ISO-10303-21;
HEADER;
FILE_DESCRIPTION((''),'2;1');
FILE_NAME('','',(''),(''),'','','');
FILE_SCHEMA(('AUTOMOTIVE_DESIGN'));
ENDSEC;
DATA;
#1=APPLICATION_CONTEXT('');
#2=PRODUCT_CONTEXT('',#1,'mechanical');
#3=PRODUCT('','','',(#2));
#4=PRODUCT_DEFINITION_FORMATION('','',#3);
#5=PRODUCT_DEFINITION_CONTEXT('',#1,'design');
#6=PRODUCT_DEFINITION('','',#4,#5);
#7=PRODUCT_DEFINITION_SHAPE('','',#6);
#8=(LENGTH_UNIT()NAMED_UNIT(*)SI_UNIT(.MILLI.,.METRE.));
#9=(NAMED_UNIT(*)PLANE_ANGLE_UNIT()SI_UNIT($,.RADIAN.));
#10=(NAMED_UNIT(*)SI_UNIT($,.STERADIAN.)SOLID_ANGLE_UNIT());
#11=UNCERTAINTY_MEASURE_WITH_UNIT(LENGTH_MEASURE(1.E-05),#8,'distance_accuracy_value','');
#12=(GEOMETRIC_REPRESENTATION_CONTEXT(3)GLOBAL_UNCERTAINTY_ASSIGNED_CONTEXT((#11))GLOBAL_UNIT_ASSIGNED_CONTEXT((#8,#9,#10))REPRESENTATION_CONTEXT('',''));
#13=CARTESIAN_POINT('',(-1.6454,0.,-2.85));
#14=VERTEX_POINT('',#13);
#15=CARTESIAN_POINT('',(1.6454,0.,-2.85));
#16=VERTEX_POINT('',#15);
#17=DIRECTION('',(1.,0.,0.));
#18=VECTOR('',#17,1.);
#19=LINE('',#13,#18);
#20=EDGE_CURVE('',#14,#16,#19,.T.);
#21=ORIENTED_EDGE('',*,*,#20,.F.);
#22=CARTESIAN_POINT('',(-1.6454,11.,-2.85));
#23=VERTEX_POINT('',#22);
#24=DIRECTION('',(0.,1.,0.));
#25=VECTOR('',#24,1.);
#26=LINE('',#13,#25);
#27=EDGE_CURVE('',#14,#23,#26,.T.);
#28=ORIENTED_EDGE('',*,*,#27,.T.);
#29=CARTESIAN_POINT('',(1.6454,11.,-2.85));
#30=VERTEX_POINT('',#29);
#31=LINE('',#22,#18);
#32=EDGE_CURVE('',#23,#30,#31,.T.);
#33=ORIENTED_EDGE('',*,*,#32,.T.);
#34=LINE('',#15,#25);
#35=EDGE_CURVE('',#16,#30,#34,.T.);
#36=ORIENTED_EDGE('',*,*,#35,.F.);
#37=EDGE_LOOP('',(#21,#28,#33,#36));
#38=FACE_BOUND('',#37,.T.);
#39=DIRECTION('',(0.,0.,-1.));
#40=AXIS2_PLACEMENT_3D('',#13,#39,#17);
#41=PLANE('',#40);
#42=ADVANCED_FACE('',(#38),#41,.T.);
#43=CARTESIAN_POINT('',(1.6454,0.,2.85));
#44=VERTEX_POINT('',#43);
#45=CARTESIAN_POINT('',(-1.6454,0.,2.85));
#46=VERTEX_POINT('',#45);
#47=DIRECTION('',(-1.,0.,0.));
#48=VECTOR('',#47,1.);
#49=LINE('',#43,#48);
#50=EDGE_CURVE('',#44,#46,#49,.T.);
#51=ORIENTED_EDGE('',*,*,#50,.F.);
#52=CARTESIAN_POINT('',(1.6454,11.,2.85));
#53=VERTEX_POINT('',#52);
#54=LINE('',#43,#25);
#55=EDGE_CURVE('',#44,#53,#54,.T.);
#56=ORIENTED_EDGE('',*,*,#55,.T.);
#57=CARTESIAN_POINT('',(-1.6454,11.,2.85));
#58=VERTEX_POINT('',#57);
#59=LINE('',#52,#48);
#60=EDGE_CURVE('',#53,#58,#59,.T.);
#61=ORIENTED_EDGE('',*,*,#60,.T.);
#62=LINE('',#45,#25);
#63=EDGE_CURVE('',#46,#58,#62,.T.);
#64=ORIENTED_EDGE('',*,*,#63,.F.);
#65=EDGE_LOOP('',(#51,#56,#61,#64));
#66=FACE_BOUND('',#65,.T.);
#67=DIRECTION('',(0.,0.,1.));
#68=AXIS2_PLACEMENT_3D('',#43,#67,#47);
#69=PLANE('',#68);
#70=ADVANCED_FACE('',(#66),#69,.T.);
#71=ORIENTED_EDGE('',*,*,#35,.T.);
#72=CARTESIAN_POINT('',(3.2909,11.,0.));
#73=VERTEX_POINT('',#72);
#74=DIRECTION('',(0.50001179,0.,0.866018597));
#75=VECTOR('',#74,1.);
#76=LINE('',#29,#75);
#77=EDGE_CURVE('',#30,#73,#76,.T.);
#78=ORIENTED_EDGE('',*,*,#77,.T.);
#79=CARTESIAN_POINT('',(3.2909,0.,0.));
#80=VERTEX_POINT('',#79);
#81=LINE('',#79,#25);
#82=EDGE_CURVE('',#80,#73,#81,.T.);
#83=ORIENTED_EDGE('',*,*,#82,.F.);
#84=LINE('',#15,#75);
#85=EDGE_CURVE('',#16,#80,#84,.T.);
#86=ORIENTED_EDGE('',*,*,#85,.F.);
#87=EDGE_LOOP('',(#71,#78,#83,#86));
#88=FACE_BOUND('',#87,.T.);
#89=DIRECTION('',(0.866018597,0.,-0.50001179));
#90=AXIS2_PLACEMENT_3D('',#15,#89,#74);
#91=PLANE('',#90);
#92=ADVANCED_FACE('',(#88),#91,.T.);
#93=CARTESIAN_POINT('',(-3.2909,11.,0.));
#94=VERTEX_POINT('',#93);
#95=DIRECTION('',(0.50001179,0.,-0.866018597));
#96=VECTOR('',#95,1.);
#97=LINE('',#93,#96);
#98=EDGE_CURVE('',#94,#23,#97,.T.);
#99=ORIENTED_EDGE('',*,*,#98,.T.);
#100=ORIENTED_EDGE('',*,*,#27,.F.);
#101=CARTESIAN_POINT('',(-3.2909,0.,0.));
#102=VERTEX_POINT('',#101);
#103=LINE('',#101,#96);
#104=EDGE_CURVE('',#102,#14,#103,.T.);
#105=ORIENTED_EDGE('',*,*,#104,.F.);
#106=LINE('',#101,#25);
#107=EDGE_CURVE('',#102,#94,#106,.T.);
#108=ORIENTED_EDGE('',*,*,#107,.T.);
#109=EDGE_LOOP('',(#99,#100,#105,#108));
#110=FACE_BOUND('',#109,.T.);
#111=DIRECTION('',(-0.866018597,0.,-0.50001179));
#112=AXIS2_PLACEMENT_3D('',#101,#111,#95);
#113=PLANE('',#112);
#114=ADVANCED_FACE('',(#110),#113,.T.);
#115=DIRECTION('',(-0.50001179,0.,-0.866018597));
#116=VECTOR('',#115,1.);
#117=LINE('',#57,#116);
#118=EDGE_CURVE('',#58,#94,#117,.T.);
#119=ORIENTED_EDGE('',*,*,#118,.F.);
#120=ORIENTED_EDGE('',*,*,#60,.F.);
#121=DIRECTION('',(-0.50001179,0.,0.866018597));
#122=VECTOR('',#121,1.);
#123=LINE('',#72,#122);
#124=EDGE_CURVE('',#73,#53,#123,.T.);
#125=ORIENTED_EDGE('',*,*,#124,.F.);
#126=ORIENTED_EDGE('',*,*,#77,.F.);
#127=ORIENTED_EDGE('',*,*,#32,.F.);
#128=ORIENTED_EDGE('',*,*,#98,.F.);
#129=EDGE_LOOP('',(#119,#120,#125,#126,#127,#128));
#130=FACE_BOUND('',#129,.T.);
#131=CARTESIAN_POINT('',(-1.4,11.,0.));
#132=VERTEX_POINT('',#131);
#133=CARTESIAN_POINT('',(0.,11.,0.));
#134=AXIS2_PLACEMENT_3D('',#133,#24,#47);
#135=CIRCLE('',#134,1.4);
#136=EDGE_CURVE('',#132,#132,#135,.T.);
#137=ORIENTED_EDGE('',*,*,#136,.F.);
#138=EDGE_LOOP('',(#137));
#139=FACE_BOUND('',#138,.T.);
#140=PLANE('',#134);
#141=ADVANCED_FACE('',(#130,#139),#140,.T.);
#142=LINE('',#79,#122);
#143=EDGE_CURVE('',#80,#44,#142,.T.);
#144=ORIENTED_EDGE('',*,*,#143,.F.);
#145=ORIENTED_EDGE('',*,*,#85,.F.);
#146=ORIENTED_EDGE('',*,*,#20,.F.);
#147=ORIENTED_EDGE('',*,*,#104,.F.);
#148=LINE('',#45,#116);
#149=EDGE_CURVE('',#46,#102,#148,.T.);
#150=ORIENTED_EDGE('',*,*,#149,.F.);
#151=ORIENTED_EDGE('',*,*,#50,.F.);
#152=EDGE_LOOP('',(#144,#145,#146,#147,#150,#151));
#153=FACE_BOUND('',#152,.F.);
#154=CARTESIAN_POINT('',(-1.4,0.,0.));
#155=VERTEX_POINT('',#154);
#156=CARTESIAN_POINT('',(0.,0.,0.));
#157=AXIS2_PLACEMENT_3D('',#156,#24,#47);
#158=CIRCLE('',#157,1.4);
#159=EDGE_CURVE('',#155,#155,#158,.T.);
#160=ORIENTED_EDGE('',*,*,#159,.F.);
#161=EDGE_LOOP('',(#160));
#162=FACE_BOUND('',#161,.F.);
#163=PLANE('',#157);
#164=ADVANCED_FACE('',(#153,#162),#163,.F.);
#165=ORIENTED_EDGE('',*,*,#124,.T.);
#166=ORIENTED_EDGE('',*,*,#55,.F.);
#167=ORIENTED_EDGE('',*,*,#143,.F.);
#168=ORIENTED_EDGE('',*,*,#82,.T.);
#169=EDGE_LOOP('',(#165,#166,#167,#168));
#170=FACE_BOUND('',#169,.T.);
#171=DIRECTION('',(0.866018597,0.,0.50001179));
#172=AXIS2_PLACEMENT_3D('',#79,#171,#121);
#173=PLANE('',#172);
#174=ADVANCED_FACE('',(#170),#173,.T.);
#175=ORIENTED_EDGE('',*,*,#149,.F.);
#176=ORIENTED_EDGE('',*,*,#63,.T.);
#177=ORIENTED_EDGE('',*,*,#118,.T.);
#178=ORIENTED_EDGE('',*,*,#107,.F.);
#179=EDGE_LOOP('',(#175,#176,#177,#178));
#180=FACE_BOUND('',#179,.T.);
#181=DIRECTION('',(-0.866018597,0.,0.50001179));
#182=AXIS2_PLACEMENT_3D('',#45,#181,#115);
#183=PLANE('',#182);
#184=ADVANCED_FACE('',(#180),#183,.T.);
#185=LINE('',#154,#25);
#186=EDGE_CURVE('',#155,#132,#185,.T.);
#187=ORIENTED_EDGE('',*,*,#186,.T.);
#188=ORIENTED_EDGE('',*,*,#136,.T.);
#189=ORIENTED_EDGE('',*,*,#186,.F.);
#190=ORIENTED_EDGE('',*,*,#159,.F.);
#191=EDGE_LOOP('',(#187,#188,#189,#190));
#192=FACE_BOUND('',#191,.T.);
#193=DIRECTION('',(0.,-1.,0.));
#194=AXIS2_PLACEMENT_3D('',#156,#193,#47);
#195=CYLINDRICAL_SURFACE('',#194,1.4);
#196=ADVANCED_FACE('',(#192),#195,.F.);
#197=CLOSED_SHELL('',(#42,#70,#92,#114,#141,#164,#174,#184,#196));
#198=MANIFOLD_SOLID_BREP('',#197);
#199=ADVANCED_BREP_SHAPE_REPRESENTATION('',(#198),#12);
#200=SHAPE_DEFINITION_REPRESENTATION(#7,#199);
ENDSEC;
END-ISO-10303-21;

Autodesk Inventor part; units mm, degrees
ref_plane "YZ Plane" through (0, 0, 0) normal (1, 0, 0) x (0, 1, 0)
ref_plane "XZ Plane" through (0, 0, 0) normal (0, 1, 0) x (-1, 0, 0)
ref_plane "XY Plane" through (0, 0, 0) normal (0, 0, 1) x (1, 0, 0)
sketch "スケッチ1" plane through (0, 0, 0) normal (0, 1, 0) x (-1, 0, 0)
  circle A0 centre (0, 0) radius 1.4
  line L0 (1.6454, -2.85) -> (-1.6454, -2.85)
  line L1 (-1.6454, -2.85) -> (-3.2909, 0)
  line L2 (-3.2909, 0) -> (-1.6454, 2.85)
  line L3 (-1.6454, 2.85) -> (1.6454, 2.85)
  line L4 (1.6454, 2.85) -> (3.2909, 0)
  line L5 (3.2909, 0) -> (1.6454, -2.85)
  dimension "d0" = 2.8
  dimension "d1" = 5.7
extrude "押し出し1" add sketch "スケッチ1" along normal blind 11
properties part number "ORCA_board_pole"
